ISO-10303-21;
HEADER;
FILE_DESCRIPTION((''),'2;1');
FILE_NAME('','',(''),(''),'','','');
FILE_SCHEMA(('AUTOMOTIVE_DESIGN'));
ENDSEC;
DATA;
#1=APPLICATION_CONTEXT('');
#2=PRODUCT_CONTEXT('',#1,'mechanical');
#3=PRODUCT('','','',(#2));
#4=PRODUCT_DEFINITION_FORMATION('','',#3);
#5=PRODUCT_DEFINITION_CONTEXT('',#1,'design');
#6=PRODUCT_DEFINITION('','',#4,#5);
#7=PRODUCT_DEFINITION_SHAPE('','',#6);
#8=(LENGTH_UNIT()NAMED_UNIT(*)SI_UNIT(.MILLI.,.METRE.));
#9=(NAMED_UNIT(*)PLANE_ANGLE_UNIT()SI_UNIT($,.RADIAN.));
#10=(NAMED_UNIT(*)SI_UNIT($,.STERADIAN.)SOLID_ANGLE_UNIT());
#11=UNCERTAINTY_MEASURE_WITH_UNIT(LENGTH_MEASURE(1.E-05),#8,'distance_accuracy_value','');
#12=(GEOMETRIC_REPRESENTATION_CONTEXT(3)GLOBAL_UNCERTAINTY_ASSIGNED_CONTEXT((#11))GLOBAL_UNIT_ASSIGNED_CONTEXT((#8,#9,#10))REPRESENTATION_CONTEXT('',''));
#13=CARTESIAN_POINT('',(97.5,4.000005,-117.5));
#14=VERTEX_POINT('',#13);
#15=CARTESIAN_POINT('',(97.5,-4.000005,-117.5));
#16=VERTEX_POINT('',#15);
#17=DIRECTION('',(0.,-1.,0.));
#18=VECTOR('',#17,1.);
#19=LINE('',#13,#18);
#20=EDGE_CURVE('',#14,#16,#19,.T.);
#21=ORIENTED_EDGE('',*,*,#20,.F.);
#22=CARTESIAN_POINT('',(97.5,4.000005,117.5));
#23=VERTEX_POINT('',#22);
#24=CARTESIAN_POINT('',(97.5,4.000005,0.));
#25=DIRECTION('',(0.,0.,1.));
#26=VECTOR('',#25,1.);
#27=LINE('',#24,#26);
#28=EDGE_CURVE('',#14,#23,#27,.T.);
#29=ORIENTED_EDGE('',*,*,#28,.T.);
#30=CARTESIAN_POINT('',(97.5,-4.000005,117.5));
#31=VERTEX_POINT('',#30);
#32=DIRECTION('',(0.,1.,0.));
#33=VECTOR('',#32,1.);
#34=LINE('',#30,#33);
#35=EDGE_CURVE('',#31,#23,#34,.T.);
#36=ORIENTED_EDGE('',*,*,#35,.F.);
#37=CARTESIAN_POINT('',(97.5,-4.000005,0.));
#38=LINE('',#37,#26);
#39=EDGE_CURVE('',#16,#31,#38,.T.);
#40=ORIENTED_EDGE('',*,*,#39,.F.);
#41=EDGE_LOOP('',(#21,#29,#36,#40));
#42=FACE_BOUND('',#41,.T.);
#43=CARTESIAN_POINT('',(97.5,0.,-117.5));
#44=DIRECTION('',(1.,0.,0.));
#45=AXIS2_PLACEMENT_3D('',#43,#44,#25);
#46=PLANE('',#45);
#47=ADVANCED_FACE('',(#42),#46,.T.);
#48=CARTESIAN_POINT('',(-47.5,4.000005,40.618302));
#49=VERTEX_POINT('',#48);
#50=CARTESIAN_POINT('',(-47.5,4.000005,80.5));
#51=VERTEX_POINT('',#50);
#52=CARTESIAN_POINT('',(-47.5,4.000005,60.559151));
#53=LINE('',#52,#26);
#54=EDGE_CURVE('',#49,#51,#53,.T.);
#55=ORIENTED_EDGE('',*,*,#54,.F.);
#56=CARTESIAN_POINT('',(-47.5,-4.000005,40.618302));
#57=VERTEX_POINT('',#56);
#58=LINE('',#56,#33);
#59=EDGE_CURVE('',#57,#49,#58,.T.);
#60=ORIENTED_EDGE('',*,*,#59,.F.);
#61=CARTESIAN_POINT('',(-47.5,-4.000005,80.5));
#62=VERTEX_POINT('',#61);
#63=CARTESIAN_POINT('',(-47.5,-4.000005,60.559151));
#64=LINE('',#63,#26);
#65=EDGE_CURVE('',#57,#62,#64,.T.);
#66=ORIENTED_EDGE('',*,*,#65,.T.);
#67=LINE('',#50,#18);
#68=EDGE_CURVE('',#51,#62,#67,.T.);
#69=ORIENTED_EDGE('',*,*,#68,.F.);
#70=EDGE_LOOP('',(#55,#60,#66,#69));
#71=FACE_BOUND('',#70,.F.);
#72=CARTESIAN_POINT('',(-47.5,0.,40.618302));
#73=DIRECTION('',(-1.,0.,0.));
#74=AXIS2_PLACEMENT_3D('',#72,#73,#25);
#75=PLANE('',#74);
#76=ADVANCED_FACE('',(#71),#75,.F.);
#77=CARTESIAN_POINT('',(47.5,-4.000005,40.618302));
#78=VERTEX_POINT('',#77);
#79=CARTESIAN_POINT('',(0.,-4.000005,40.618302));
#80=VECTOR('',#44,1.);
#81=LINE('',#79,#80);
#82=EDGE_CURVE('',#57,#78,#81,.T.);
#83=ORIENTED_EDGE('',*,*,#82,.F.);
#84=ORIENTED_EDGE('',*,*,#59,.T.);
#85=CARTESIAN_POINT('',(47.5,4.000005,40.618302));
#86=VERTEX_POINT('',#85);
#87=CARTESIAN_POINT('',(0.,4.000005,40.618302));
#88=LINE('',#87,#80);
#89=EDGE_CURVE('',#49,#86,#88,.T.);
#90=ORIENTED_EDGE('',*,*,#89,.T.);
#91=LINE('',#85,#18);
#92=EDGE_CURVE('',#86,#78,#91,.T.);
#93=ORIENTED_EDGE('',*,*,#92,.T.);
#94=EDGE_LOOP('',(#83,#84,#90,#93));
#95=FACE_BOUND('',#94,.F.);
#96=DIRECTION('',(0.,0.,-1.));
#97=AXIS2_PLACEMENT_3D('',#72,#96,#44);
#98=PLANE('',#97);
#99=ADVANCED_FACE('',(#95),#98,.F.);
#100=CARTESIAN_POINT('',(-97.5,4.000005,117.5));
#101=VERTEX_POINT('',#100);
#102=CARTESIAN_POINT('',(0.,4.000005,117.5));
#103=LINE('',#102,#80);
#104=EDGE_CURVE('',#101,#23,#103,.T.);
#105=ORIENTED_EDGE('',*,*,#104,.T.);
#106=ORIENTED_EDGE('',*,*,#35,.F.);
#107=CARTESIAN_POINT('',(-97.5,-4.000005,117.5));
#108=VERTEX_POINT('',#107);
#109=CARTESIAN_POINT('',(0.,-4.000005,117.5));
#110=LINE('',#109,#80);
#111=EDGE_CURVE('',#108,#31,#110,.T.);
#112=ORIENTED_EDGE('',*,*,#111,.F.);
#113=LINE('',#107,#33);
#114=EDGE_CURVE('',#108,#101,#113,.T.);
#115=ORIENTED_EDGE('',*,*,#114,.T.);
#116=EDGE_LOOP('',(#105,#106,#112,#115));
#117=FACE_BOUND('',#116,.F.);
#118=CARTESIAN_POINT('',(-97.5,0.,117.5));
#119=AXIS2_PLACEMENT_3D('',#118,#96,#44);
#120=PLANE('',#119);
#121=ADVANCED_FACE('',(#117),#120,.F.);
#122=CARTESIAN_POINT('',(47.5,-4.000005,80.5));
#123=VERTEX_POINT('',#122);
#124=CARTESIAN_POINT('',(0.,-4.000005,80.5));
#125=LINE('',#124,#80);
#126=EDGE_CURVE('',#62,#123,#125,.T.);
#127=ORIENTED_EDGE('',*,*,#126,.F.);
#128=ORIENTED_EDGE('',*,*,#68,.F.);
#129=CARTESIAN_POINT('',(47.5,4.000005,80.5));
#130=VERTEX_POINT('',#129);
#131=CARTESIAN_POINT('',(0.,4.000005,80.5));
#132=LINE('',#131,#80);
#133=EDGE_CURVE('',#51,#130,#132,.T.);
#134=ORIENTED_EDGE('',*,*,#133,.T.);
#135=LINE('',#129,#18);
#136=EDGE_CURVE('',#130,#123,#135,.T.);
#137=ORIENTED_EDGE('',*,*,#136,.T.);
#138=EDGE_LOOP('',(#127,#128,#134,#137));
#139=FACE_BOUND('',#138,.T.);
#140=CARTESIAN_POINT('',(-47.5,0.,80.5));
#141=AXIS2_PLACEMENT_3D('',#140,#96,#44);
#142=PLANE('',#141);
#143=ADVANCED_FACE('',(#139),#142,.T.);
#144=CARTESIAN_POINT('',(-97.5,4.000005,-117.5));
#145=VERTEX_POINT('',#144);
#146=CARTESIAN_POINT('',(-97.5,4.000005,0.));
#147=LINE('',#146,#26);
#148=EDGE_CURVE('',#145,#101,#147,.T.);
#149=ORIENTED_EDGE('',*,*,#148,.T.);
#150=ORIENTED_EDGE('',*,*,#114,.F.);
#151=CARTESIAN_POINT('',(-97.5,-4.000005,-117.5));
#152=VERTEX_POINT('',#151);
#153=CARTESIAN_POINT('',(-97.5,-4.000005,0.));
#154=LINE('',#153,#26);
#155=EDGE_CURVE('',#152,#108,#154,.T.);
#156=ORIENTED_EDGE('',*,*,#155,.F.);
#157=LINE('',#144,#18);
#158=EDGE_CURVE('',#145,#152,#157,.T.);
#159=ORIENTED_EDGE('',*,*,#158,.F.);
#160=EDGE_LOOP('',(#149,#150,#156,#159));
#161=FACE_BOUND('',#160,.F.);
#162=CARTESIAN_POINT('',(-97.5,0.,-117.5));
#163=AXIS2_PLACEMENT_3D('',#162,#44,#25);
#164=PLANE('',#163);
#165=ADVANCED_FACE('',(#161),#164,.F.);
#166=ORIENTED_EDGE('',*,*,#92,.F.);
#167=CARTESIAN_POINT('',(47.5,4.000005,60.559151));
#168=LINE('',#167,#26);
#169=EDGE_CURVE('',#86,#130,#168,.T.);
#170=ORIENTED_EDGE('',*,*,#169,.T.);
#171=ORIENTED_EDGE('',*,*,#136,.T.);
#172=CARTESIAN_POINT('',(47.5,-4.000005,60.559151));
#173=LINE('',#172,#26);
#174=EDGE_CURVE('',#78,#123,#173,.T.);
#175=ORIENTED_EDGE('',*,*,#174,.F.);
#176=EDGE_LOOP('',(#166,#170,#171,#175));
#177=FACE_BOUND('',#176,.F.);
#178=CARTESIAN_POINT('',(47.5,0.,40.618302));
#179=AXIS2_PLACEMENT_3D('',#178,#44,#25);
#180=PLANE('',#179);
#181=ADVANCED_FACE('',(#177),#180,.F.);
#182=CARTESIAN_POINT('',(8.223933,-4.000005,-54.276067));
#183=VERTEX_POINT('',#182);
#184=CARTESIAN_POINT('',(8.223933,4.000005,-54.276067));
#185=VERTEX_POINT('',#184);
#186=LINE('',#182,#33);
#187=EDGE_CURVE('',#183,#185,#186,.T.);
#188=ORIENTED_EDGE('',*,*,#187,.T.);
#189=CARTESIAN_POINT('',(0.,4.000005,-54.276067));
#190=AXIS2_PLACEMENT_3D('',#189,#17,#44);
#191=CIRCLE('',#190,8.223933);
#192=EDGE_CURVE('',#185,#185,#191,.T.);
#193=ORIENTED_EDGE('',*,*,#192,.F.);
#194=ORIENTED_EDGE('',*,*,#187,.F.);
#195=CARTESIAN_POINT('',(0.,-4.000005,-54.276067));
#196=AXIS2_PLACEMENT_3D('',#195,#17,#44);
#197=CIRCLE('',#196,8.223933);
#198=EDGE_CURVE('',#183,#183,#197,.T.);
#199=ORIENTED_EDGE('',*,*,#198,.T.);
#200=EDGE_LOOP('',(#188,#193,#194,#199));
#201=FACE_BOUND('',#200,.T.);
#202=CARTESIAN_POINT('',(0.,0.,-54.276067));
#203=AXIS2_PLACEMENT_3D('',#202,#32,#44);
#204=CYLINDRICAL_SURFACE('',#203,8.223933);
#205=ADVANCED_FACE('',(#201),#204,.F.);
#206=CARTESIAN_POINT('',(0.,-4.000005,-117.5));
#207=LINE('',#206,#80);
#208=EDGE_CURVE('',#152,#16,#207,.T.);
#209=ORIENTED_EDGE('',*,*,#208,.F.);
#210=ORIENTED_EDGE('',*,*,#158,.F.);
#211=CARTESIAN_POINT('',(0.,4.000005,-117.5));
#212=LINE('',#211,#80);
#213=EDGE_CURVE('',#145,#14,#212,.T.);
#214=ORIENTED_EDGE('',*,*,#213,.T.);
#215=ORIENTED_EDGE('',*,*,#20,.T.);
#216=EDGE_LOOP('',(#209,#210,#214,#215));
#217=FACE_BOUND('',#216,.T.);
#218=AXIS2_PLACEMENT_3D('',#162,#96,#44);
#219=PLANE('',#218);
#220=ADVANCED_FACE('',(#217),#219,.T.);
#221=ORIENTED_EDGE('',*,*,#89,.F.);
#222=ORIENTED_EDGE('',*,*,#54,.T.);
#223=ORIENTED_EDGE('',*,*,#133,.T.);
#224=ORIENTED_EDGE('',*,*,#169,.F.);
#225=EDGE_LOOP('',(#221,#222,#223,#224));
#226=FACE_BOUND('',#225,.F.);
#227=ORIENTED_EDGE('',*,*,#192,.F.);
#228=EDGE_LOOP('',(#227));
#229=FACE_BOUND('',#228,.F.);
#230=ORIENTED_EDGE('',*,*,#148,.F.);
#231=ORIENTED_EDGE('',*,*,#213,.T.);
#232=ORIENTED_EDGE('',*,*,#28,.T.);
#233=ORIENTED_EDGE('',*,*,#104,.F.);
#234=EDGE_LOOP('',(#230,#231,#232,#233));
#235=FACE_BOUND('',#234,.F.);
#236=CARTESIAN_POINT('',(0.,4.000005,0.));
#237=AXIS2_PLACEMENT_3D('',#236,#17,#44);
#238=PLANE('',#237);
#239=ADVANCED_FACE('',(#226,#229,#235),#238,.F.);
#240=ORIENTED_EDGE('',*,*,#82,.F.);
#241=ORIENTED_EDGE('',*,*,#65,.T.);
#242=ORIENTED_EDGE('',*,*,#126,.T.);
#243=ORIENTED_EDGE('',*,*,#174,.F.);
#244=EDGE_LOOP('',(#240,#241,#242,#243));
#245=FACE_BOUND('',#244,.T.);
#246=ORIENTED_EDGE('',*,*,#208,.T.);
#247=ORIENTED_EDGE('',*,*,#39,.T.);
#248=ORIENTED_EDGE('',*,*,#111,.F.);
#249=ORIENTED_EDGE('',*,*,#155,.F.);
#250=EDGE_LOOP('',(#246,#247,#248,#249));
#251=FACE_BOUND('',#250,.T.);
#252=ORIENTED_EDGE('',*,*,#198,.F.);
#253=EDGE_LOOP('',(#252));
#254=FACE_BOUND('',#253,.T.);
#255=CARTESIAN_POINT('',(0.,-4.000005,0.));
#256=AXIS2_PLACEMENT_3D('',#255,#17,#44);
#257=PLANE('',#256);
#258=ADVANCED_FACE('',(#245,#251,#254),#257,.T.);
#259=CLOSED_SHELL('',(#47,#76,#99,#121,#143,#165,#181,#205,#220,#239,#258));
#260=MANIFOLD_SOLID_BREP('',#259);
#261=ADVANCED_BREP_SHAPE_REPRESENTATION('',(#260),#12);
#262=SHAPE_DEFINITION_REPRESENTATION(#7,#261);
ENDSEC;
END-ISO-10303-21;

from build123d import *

# Parameters (mm, degrees)
F0_W     = 195
F0_H     = 235
F0_R     = 8.223933
F0_W_2   = 95
F0_H_2   = 39.881699
F1_DEPTH = 4.000005


with BuildPart() as f1:
    # F0 (on Front) → F1 (new body, symmetric)
    with BuildSketch(Plane.XZ):
        Rectangle(F0_W, F0_H)
        with Locations((0, -54.276067)):
            Circle(F0_R, mode=Mode.SUBTRACT)
        with Locations((0, 60.559151)):
            Rectangle(F0_W_2, F0_H_2, mode=Mode.SUBTRACT)
    extrude(amount=F1_DEPTH, both=True)


solid = f1.part
